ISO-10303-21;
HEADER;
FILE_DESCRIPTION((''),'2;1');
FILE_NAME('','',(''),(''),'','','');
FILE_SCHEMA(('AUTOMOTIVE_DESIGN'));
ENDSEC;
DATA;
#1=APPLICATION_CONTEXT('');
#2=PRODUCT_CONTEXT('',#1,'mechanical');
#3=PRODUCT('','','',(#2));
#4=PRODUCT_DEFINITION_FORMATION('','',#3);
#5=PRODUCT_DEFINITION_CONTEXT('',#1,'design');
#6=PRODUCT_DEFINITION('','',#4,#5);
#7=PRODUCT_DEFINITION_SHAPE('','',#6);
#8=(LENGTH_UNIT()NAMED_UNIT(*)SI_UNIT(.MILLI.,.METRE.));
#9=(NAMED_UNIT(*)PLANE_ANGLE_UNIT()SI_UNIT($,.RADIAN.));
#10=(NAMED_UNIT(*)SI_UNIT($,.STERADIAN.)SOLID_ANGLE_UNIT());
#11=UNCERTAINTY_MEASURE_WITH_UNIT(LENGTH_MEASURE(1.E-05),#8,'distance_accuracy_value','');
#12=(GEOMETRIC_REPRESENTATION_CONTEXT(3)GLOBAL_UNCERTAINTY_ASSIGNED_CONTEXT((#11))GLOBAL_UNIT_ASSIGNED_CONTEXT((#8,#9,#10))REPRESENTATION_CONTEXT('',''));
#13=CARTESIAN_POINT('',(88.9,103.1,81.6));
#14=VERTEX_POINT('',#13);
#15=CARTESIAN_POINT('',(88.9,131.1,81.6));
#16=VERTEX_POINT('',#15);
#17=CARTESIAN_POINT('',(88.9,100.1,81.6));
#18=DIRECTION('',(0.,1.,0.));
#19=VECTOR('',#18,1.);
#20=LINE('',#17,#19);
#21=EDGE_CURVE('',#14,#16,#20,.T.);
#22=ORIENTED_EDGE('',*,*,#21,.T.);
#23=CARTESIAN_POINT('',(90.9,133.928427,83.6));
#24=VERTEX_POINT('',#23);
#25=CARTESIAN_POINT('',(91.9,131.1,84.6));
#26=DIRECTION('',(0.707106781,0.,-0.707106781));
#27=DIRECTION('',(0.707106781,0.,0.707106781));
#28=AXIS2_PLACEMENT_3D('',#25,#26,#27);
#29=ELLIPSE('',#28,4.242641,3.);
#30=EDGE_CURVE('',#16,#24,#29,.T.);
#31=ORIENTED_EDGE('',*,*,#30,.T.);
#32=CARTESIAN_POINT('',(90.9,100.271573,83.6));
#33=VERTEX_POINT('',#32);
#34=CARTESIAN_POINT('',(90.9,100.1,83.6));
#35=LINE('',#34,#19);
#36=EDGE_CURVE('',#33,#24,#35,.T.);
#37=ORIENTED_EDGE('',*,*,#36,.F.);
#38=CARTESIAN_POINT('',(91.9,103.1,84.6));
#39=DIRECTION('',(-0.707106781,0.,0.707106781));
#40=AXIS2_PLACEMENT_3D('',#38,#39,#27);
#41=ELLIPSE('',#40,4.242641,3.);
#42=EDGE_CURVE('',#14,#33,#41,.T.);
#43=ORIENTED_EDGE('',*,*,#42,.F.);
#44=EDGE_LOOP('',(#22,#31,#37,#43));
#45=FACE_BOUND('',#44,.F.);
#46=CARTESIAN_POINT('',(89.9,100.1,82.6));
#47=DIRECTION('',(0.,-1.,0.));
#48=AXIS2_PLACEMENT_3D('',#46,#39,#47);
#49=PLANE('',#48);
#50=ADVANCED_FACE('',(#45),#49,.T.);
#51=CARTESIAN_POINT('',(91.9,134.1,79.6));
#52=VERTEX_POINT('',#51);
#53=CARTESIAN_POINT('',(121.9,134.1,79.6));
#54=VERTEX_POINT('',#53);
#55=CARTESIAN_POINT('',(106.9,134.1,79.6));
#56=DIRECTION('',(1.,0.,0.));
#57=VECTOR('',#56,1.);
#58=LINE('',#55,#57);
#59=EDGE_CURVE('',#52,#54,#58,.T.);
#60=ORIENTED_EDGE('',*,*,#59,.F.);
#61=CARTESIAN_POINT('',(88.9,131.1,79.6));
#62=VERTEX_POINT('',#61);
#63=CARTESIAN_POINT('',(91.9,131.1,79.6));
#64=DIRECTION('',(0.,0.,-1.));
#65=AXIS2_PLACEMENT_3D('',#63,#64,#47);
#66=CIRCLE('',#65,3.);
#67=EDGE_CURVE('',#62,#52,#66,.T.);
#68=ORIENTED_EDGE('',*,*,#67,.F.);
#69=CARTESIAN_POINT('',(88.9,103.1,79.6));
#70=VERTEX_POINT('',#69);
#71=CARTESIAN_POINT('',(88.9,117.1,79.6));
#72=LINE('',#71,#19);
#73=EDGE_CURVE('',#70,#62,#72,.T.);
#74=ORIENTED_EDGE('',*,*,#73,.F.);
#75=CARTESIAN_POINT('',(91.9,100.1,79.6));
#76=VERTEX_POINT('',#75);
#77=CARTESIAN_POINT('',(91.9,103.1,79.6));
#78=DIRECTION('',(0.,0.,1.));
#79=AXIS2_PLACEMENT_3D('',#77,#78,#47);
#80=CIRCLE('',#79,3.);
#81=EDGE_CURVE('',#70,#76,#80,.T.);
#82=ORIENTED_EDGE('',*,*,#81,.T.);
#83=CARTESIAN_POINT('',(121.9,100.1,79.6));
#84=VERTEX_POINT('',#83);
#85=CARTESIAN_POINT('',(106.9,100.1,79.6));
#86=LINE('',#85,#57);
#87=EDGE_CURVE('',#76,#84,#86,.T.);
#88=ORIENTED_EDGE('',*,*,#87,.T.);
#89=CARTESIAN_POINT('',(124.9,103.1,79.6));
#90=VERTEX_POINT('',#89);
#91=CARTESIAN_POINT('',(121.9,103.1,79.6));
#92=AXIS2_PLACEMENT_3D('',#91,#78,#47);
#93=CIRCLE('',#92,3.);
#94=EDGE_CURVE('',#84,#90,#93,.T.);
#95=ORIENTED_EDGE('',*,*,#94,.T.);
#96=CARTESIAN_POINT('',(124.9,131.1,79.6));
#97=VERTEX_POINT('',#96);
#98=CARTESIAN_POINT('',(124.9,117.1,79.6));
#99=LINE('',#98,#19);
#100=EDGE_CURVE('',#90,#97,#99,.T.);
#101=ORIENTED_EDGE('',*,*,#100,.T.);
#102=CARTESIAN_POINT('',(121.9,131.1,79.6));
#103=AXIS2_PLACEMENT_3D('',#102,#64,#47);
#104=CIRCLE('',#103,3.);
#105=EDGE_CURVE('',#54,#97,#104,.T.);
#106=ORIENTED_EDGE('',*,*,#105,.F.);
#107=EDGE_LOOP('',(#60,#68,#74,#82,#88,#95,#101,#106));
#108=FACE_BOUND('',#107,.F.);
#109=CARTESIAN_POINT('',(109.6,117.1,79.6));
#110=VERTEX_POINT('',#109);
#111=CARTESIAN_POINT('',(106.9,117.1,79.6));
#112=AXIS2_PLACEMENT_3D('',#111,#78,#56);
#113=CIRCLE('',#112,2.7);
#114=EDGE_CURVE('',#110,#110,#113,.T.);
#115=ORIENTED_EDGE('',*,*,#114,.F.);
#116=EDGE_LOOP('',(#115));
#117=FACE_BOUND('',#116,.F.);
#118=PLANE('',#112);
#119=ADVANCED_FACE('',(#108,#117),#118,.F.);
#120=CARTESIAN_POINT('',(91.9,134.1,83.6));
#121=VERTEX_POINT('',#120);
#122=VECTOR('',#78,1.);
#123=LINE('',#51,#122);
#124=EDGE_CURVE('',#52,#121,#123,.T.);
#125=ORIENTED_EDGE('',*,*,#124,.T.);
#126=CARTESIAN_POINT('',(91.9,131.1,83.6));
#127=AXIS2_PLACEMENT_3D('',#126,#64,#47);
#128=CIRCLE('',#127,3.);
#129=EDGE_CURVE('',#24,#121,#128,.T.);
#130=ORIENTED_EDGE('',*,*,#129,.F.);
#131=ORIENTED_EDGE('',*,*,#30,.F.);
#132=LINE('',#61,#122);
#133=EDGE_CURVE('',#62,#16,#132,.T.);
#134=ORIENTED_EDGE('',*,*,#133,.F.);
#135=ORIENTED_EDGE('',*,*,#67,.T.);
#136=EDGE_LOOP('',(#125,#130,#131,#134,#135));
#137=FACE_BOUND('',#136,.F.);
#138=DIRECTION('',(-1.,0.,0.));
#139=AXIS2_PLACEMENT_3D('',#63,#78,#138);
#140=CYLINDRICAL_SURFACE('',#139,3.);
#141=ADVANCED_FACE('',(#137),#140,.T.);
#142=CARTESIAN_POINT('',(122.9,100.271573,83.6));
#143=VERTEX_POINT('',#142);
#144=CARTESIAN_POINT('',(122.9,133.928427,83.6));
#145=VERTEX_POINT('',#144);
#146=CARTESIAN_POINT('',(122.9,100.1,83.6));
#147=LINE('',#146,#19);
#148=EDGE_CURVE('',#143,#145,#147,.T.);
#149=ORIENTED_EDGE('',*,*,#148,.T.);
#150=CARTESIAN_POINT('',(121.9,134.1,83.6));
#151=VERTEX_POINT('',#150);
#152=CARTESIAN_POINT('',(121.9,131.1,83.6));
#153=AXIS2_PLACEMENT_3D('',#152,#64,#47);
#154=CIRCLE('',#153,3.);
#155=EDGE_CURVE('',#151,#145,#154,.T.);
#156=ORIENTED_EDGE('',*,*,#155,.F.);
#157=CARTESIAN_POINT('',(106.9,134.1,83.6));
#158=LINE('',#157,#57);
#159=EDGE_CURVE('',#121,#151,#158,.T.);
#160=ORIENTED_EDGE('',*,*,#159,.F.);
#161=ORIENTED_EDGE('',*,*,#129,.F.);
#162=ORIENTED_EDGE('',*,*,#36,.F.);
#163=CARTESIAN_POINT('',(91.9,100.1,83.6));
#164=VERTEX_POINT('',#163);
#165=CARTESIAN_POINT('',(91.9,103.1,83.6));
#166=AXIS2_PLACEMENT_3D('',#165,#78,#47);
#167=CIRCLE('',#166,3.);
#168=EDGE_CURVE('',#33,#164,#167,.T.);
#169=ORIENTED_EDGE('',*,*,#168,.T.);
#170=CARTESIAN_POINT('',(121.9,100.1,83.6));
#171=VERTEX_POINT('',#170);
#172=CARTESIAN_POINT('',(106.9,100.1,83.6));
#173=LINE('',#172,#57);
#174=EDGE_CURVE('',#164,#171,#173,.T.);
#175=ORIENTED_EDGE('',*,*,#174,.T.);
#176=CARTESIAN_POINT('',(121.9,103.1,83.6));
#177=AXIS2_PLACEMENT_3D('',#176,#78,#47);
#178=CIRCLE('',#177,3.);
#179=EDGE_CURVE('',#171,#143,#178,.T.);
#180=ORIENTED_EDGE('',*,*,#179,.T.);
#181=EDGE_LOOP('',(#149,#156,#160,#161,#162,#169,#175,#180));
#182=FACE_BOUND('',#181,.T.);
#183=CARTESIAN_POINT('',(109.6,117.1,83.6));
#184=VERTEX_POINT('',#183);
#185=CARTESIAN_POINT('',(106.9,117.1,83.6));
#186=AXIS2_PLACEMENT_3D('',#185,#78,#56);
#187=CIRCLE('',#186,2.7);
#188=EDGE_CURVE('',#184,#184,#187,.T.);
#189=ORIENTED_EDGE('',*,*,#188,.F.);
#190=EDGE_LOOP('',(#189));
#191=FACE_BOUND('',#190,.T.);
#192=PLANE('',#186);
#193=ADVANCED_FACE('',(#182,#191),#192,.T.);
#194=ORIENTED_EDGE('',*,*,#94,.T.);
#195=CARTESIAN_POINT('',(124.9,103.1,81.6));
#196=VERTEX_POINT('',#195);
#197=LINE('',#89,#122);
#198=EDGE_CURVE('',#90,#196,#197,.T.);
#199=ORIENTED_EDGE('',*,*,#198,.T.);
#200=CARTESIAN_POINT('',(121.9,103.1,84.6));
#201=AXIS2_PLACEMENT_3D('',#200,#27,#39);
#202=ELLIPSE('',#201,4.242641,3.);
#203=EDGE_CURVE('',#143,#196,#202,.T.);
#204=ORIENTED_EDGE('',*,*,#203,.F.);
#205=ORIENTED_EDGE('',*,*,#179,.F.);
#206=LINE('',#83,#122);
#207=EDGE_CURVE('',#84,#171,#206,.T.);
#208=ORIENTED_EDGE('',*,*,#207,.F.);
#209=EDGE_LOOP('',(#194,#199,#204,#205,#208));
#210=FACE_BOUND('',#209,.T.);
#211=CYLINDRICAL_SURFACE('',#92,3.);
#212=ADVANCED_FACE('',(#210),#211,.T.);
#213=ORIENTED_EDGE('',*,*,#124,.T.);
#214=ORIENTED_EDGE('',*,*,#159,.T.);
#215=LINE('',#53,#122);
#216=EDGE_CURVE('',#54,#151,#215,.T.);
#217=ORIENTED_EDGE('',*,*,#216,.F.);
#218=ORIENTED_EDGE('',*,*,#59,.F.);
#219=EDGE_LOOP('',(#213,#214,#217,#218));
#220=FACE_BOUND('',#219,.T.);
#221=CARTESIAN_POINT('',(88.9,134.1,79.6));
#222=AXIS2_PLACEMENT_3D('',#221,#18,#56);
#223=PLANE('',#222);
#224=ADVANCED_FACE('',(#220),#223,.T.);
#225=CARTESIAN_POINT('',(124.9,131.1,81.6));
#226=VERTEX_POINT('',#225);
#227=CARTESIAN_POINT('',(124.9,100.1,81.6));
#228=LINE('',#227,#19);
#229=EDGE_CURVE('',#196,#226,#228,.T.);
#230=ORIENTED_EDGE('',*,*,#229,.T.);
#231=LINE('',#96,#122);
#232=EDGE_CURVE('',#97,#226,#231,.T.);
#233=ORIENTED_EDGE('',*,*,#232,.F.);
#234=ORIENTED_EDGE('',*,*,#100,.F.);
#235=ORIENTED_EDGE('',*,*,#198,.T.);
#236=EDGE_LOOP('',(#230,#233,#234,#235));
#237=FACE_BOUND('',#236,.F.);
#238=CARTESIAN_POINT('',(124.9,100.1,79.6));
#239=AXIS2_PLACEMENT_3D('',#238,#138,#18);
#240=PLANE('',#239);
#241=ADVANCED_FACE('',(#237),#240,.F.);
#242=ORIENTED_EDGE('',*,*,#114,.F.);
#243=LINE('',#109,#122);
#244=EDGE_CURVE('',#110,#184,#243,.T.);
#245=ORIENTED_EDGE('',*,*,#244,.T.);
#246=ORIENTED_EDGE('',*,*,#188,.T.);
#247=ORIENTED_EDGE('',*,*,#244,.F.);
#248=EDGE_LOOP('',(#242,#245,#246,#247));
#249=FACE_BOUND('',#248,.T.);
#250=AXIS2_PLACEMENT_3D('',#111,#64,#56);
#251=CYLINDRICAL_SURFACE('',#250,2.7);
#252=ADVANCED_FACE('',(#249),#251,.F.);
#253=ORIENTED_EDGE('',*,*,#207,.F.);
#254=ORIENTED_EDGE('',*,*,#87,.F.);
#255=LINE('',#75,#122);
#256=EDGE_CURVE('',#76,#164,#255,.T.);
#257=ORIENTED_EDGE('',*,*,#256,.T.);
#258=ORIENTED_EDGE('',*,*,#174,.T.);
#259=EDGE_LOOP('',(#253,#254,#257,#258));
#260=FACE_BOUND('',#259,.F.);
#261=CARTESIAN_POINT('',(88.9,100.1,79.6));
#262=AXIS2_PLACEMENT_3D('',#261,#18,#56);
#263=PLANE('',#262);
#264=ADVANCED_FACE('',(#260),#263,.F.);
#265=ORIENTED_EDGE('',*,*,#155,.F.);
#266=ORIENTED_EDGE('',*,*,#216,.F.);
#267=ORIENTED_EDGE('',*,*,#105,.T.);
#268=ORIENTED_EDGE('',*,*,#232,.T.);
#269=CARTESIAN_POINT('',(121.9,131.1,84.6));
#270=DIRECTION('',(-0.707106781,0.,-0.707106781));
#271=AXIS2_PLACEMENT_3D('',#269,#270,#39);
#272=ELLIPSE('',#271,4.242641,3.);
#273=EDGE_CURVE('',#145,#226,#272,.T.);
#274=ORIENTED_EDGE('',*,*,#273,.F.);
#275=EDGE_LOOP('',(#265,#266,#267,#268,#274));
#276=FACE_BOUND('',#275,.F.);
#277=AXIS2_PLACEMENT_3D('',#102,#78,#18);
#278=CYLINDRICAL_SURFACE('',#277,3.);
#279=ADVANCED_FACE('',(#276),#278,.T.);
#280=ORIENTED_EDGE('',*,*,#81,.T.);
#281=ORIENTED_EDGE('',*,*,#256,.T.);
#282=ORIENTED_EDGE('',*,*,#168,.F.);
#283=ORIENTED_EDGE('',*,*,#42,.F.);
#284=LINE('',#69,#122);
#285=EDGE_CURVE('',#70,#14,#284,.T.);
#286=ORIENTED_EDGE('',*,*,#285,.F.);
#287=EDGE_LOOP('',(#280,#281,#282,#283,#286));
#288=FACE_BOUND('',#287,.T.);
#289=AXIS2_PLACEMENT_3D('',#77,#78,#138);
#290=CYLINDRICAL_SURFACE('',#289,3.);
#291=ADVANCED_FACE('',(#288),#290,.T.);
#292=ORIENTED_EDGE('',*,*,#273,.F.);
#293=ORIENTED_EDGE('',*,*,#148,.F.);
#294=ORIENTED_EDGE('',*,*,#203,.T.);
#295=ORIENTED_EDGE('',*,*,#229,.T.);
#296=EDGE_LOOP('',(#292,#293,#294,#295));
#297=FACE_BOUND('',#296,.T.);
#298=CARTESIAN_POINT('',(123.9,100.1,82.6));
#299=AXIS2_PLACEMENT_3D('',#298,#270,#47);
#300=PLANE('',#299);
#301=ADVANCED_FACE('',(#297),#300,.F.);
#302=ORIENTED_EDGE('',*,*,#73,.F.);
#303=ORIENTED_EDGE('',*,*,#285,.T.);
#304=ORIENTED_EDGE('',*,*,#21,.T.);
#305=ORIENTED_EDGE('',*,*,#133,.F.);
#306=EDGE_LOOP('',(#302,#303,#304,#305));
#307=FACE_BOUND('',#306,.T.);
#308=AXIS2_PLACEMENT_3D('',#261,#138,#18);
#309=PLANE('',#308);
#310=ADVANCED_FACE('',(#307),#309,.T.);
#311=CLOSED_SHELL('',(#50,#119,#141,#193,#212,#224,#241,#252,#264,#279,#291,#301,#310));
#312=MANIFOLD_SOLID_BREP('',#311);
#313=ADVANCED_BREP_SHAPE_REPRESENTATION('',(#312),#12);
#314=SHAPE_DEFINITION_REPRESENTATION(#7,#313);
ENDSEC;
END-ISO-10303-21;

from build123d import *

# Parameters (mm, degrees)
SKETCH020_W     = 36
SKETCH020_H     = 34
SKETCH020_R     = 2.7
PAD003_DEPTH    = 4
CHAMFER001_SIZE = 2
FILLET001_R     = 3


with BuildPart() as part:
    # Sketch020 → Pad003 (new body)
    with BuildSketch(Plane.XY):
        Rectangle(SKETCH020_W, SKETCH020_H)
        Circle(SKETCH020_R, mode=Mode.SUBTRACT)
    extrude(amount=PAD003_DEPTH)

    # Chamfer001
    chamfer001_edges = [part.edges().sort_by_distance(p)[0] for p in [
        (18, 0, 4),
        (-18, 0, 4),
    ]]
    chamfer(chamfer001_edges, length=CHAMFER001_SIZE)

    # Fillet001
    fillet001_edges = [part.edges().sort_by_distance(p)[0] for p in [
        (-18, -17, 1),
        (18, -17, 1),
        (-18, 17, 1),
        (18, 17, 1),
    ]]
    fillet(fillet001_edges, radius=FILLET001_R)


with BuildPart() as part_1:
    # Body005 placement: moved
    add(part.part.moved(Location((106.9, 117.1, 79.6))))


solid = part_1.part
